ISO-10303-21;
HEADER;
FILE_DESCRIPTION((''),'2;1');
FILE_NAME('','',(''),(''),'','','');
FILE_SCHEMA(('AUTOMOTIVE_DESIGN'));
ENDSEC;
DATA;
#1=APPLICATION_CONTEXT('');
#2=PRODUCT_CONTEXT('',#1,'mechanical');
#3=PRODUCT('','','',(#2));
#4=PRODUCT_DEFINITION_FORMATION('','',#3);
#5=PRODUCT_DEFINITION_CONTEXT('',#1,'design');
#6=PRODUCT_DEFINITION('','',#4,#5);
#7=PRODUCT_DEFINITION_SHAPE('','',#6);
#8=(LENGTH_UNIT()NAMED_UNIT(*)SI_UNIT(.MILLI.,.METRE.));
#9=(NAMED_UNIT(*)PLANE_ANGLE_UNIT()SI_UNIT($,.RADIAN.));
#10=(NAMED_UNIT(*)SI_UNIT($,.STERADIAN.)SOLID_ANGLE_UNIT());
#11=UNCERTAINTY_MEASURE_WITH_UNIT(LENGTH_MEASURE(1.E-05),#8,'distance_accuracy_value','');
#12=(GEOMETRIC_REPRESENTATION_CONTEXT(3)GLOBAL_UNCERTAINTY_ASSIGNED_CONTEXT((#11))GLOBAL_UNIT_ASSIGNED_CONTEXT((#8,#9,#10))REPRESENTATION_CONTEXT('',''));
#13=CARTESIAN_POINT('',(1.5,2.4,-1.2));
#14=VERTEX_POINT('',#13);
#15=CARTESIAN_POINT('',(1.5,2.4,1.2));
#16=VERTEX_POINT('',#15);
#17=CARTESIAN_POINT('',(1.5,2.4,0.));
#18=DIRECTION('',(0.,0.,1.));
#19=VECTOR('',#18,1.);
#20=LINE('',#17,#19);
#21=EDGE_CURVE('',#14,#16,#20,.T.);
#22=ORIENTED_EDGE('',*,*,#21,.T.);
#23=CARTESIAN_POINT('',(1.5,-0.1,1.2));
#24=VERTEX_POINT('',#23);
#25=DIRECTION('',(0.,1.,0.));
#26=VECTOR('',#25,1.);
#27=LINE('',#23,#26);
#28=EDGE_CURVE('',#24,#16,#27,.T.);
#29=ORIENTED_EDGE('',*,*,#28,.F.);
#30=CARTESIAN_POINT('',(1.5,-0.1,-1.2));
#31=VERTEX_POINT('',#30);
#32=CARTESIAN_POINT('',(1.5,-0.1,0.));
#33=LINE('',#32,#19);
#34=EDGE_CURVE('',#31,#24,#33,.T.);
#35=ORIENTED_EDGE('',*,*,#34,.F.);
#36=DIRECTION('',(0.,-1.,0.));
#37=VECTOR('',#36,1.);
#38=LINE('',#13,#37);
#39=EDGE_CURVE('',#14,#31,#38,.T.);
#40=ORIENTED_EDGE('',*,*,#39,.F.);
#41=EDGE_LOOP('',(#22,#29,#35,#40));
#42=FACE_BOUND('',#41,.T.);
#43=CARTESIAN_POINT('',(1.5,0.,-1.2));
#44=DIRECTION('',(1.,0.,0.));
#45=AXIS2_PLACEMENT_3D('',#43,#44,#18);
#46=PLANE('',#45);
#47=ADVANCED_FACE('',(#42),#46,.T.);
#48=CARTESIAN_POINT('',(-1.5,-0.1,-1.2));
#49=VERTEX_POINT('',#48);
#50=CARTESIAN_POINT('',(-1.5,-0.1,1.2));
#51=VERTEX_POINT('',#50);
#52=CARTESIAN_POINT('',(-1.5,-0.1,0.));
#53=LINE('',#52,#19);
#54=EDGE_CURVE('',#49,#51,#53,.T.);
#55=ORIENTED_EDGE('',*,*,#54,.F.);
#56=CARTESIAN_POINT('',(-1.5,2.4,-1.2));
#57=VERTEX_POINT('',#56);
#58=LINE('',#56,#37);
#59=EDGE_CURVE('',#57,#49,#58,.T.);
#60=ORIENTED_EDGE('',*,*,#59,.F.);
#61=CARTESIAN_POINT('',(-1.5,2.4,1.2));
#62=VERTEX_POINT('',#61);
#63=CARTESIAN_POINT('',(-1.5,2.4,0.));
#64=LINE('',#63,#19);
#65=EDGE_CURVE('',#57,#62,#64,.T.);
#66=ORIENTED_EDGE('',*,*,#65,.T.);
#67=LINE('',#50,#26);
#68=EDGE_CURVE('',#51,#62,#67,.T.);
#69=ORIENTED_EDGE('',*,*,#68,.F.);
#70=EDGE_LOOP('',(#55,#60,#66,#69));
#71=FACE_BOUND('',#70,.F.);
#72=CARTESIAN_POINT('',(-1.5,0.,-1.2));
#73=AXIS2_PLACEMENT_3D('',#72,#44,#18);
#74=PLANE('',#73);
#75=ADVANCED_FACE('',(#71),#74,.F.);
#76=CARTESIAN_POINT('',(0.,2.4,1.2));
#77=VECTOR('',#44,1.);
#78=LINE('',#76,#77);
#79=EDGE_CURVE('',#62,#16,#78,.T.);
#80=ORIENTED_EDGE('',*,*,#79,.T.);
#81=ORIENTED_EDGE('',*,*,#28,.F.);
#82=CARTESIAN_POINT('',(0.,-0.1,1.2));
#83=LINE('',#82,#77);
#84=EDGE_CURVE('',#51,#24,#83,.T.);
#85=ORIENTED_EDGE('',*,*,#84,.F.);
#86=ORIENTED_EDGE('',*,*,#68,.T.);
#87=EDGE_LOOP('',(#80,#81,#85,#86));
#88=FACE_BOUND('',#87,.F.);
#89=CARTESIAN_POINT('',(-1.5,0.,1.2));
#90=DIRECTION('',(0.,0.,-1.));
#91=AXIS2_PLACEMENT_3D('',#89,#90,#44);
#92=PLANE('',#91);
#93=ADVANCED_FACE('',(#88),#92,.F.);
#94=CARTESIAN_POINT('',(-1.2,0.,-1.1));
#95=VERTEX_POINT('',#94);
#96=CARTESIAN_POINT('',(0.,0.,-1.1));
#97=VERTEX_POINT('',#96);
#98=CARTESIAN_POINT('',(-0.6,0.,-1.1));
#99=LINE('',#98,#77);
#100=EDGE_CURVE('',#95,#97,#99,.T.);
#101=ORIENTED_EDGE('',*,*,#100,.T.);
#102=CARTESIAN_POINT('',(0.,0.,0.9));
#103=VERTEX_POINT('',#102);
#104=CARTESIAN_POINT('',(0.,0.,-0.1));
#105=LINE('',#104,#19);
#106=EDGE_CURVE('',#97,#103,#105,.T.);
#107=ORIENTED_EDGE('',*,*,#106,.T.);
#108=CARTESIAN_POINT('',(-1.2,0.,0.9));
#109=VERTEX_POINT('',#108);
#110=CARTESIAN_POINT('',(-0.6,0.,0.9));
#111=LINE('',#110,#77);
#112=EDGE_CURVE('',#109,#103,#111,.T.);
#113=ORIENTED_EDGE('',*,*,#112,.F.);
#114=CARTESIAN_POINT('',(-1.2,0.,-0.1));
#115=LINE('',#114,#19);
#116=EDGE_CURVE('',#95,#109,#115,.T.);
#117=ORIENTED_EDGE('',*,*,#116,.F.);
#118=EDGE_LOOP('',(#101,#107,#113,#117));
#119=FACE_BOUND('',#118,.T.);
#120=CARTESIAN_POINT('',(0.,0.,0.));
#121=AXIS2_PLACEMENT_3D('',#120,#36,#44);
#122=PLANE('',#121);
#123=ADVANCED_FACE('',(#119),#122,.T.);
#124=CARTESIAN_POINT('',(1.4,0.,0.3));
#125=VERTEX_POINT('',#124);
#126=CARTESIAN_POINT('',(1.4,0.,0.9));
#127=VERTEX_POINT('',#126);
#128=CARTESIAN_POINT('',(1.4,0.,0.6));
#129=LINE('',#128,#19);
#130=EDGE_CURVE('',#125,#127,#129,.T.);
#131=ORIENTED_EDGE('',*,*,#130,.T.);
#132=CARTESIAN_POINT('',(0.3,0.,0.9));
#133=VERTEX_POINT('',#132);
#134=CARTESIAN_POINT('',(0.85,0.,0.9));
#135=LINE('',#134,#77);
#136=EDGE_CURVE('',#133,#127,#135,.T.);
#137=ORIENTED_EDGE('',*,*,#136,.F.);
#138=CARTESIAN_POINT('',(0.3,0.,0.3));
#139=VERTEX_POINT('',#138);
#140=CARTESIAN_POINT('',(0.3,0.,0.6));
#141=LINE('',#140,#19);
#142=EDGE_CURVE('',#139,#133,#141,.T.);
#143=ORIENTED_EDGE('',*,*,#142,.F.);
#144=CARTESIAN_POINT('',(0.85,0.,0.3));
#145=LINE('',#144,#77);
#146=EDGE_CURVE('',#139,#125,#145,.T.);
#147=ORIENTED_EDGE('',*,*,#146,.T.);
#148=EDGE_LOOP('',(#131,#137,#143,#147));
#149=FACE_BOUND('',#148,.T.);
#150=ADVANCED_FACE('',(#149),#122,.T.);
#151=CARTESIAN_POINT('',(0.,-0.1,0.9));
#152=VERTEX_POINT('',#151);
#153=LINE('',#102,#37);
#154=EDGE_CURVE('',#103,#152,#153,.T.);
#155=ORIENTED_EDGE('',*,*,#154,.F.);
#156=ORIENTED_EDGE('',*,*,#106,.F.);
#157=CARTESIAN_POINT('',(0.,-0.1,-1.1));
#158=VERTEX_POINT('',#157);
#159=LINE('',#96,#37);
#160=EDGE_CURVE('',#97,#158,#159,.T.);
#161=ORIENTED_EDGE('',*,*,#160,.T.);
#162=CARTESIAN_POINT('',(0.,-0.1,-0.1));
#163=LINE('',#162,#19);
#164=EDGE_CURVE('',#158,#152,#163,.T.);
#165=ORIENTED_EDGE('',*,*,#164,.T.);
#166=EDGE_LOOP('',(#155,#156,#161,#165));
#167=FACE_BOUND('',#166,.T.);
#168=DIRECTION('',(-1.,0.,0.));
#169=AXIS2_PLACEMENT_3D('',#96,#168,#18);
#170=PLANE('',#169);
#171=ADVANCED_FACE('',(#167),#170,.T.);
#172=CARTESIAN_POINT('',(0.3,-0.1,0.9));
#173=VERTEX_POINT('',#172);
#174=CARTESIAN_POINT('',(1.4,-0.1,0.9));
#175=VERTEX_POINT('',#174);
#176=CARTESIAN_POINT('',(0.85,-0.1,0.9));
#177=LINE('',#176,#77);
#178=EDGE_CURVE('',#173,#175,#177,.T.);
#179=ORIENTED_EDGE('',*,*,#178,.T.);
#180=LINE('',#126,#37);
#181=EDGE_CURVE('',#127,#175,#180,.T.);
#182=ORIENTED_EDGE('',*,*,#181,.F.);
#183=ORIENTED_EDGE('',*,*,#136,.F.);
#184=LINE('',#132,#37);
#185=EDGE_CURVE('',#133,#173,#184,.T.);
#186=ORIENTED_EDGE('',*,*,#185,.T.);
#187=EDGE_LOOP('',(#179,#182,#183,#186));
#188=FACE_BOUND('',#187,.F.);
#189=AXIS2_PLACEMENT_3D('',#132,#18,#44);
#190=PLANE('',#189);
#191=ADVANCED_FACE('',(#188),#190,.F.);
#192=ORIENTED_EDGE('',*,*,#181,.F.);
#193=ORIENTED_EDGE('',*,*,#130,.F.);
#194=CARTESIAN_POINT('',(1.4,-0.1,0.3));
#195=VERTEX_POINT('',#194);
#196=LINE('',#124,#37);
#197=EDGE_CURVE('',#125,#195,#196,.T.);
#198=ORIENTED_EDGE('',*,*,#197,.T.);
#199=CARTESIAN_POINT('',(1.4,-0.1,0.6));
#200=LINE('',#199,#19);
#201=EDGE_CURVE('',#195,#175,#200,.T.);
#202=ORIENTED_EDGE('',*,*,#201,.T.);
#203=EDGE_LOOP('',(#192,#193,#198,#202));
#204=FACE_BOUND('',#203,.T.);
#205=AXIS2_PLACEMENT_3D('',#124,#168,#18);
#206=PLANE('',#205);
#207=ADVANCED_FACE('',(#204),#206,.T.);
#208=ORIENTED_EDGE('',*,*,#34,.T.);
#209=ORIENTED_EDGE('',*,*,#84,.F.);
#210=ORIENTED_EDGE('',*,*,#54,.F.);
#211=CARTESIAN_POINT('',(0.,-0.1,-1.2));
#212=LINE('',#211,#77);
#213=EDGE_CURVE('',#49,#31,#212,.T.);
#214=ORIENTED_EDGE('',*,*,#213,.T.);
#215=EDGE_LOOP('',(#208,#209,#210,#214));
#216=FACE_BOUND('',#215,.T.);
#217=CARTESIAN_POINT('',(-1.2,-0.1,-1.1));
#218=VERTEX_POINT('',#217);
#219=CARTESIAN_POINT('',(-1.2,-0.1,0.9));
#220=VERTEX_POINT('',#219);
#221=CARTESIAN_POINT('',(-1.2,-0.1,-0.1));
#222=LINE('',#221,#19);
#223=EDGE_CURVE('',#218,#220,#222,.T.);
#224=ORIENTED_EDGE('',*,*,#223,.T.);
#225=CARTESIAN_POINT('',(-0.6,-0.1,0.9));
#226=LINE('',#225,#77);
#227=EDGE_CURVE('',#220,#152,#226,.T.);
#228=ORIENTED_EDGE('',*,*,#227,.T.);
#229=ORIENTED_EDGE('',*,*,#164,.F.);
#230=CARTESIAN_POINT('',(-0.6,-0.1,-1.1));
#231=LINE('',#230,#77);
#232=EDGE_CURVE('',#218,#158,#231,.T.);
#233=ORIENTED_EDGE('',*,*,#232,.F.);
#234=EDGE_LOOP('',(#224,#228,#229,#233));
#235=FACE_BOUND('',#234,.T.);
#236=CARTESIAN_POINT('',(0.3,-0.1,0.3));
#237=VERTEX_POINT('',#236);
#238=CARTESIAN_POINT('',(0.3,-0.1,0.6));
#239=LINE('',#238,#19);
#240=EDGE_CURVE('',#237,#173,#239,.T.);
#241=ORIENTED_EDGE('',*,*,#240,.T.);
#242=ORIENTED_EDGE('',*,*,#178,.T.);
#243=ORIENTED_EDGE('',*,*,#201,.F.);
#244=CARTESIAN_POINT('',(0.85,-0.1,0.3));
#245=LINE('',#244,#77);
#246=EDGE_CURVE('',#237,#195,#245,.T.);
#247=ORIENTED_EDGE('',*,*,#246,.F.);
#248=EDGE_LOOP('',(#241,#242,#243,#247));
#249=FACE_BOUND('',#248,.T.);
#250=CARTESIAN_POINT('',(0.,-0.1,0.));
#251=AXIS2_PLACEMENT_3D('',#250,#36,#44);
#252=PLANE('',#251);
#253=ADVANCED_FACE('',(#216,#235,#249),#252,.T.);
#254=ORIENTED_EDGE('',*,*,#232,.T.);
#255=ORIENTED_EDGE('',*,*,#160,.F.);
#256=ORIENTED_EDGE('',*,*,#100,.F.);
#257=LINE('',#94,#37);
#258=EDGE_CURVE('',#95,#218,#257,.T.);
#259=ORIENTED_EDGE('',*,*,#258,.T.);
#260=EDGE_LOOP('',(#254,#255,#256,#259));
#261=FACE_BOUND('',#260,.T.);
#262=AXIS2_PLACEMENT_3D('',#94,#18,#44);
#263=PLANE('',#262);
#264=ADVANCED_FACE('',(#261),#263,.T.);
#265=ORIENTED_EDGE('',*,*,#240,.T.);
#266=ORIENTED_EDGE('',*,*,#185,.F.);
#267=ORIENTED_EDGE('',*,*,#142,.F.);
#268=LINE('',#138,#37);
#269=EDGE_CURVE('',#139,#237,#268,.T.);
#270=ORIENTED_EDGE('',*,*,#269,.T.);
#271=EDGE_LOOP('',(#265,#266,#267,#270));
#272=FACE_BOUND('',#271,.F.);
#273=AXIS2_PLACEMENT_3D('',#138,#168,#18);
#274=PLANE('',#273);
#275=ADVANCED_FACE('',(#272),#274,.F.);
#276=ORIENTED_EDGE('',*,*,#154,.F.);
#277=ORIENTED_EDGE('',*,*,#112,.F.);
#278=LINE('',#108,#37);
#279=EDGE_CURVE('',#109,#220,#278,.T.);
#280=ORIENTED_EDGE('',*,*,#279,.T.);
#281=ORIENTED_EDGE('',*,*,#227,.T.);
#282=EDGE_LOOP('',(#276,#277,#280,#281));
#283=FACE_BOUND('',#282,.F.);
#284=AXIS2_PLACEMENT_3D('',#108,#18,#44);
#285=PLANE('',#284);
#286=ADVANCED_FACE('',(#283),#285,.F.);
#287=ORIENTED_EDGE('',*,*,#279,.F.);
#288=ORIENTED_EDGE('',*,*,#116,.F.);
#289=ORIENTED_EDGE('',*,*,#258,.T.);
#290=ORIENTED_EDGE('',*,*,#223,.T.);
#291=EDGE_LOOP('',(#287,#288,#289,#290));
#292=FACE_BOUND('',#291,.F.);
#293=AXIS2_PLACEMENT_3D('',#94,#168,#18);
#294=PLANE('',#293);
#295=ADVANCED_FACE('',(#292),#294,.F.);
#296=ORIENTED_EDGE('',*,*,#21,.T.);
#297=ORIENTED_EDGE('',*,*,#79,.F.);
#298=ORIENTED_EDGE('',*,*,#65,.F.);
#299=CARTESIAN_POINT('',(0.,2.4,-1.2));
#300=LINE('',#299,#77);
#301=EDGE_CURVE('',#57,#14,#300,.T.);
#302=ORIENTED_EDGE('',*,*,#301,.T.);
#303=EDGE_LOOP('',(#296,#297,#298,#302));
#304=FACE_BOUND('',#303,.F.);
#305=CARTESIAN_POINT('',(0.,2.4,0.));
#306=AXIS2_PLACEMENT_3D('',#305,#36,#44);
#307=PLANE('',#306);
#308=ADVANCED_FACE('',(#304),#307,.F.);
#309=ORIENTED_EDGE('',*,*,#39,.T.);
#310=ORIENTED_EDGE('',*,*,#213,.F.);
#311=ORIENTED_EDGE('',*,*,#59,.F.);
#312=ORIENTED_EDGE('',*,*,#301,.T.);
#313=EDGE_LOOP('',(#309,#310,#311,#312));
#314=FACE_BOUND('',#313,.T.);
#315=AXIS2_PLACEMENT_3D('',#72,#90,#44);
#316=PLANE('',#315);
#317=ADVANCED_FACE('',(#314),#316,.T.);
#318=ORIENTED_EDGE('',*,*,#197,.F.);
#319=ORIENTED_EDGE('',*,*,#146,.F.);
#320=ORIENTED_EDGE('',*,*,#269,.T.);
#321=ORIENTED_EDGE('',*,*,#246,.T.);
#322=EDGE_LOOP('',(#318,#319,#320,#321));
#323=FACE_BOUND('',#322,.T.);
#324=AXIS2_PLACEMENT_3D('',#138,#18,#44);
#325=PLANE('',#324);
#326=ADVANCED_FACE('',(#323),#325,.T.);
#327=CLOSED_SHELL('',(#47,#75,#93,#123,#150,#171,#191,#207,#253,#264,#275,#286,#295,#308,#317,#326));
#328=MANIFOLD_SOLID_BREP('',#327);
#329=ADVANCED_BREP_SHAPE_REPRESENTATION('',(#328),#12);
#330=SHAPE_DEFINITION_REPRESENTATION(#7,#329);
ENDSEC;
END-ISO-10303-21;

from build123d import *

# Parameters (mm, degrees)
F0_W     = 3
F0_H     = 2.4
F0_W_2   = 1.2
F0_H_2   = 2
F0_W_3   = 1.1
F0_H_3   = 0.6
F1_DEPTH = 0.1
F2_DEPTH = 2.4


with BuildPart() as f1:
    # F0 (on Front) → F1 (new body)
    with BuildSketch(Plane.XZ):
        Rectangle(F0_W, F0_H)
        with Locations((-0.6, -0.1)):
            Rectangle(F0_W_2, F0_H_2, mode=Mode.SUBTRACT)
        with Locations((0.85, 0.6)):
            Rectangle(F0_W_3, F0_H_3, mode=Mode.SUBTRACT)
    extrude(amount=F1_DEPTH)

    # F0 (on Front) → F2 (join)
    with BuildSketch(Plane.XZ):
        Rectangle(F0_W, F0_H)
        with Locations((-0.6, -0.1)):
            Rectangle(F0_W_2, F0_H_2, mode=Mode.SUBTRACT)
        with Locations((0.85, 0.6)):
            Rectangle(F0_W_3, F0_H_3, mode=Mode.SUBTRACT)
        with Locations((-0.6, -0.1)):
            Rectangle(F0_W_2, F0_H_2)
        with Locations((0.85, 0.6)):
            Rectangle(F0_W_3, F0_H_3)
    extrude(amount=-F2_DEPTH)


solid = f1.part
